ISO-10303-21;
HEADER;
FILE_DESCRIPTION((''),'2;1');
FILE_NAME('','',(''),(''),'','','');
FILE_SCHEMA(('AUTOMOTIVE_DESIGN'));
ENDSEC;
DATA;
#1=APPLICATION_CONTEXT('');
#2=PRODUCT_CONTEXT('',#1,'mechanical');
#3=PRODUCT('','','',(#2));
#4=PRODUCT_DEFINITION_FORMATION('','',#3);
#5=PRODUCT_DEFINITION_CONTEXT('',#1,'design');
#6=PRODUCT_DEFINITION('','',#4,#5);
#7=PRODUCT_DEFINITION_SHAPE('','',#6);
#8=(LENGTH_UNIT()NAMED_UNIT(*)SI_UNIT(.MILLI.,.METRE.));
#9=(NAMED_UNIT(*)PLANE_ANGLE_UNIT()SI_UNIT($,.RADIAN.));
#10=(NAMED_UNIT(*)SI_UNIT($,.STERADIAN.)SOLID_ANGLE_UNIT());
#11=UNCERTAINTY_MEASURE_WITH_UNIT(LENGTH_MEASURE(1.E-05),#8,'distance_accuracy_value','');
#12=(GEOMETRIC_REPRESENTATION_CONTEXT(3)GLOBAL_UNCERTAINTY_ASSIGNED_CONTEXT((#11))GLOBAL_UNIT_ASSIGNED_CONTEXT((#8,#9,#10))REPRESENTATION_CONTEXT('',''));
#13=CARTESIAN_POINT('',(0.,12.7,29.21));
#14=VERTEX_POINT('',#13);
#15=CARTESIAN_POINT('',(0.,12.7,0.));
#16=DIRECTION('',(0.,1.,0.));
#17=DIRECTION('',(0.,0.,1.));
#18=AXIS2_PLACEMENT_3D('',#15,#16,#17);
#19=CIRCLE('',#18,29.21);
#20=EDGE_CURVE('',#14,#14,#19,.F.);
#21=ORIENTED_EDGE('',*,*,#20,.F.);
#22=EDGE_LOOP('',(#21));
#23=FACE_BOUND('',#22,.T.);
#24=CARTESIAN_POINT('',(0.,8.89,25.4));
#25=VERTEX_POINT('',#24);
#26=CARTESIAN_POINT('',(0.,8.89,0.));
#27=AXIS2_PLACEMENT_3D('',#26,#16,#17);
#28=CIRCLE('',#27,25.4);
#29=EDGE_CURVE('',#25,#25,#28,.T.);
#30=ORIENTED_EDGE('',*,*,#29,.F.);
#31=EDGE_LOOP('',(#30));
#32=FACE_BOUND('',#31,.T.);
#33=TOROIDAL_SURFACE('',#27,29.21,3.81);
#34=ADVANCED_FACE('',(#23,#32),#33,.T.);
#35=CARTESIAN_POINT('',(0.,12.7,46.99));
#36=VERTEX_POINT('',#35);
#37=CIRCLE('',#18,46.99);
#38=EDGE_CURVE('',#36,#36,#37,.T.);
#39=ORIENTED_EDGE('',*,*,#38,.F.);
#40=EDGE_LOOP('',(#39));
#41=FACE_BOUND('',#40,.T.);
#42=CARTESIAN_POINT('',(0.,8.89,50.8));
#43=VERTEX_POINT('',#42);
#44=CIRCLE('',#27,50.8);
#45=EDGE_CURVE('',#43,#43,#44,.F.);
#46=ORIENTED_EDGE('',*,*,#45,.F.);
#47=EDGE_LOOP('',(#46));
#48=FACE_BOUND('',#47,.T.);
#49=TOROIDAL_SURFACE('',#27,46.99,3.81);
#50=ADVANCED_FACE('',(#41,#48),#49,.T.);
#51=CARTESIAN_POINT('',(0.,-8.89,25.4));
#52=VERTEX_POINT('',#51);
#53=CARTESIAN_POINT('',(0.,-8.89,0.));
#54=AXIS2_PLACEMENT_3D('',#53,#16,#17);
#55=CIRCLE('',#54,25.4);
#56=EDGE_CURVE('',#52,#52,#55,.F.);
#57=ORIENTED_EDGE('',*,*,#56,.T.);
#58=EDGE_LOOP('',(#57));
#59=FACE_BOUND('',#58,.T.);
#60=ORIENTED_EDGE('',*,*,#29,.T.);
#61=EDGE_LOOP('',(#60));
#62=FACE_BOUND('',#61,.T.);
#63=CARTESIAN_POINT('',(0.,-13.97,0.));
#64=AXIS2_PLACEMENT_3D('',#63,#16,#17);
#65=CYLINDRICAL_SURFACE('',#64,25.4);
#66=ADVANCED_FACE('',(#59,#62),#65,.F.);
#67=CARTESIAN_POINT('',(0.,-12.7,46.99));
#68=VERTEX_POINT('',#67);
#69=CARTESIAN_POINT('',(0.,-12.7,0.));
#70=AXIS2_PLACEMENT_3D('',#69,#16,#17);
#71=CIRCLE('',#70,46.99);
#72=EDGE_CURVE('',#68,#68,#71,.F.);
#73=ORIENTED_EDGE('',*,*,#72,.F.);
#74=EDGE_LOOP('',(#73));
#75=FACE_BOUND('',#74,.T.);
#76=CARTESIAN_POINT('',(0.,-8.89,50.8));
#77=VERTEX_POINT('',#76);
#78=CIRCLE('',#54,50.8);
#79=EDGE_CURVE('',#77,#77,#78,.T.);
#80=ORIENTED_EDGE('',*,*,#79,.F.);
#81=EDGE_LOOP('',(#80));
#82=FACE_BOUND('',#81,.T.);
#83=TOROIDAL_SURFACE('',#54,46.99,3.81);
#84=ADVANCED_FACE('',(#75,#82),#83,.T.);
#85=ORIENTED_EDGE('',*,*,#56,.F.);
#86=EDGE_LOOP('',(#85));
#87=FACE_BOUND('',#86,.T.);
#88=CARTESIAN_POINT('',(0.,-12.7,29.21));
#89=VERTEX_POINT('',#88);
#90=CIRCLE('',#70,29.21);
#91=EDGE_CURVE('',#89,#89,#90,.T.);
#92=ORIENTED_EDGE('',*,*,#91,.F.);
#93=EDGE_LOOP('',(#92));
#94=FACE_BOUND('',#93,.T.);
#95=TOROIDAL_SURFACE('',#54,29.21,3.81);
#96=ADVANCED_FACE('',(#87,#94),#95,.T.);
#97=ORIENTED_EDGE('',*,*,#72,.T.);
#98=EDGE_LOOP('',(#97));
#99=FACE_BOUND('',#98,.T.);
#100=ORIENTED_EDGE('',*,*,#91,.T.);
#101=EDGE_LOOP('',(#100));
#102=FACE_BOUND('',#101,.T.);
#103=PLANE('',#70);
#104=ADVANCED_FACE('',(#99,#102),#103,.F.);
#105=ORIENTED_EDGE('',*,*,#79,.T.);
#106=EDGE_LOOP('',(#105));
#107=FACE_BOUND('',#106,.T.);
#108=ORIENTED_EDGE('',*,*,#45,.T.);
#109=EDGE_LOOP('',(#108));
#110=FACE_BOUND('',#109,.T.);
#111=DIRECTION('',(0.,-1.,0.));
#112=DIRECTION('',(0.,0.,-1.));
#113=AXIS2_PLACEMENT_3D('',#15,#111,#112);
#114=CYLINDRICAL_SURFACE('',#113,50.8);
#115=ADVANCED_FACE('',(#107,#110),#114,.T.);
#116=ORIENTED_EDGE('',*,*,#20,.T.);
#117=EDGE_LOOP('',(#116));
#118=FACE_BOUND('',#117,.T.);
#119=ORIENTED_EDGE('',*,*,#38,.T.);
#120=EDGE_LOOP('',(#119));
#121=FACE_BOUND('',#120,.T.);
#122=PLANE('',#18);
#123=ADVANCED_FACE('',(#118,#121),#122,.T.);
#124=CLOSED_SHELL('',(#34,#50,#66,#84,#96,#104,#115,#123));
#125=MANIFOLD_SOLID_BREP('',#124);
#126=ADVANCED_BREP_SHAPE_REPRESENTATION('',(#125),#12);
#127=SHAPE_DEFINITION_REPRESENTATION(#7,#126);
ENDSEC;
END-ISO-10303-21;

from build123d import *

# Parameters (mm, degrees)
SKETCH2_R           = 50.8
BOSS_EXTRUDE3_DEPTH = 12.7
SKETCH4_R           = 25.4
CUT_EXTRUDE1_DEPTH  = 13.97
FILLET1_R           = 3.81
FILLET2_R           = 3.81
FILLET3_R           = 3.81
FILLET4_R           = 3.81


with BuildPart() as part:
    # Sketch2 → Boss-Extrude3 (new, symmetric)
    with BuildSketch(Plane(origin=(0, 0, 0), x_dir=(1, 0, 0), z_dir=(0, 1, 0))):
        with Locations(Location((0, 0, 0), (0, 0, 270))):
            Circle(SKETCH2_R)
    extrude(amount=BOSS_EXTRUDE3_DEPTH, both=True)

    # Sketch4 → Cut-Extrude1 (cut, symmetric)
    with BuildSketch(Plane(origin=(0, 0, 0), x_dir=(1, 0, 0), z_dir=(0, 1, 0))):
        with Locations(Location((0, 0, 0), (0, 0, 270))):
            Circle(SKETCH4_R)
    extrude(amount=CUT_EXTRUDE1_DEPTH, both=True, mode=Mode.SUBTRACT)

    # Fillet1
    fillet1_edges = [part.edges().sort_by_distance(p)[0] for p in [
        (0, -12.7, -50.8),
    ]]
    fillet(fillet1_edges, radius=FILLET1_R)

    # Fillet2
    fillet2_edges = [part.edges().sort_by_distance(p)[0] for p in [
        (0, -12.7, -25.4),
    ]]
    fillet(fillet2_edges, radius=FILLET2_R)

    # Fillet3
    fillet3_edges = [part.edges().sort_by_distance(p)[0] for p in [
        (0, 12.7, -50.8),
    ]]
    fillet(fillet3_edges, radius=FILLET3_R)

    # Fillet4
    fillet4_edges = [part.edges().sort_by_distance(p)[0] for p in [
        (0, 12.7, -25.4),
    ]]
    fillet(fillet4_edges, radius=FILLET4_R)


solid = part.part
